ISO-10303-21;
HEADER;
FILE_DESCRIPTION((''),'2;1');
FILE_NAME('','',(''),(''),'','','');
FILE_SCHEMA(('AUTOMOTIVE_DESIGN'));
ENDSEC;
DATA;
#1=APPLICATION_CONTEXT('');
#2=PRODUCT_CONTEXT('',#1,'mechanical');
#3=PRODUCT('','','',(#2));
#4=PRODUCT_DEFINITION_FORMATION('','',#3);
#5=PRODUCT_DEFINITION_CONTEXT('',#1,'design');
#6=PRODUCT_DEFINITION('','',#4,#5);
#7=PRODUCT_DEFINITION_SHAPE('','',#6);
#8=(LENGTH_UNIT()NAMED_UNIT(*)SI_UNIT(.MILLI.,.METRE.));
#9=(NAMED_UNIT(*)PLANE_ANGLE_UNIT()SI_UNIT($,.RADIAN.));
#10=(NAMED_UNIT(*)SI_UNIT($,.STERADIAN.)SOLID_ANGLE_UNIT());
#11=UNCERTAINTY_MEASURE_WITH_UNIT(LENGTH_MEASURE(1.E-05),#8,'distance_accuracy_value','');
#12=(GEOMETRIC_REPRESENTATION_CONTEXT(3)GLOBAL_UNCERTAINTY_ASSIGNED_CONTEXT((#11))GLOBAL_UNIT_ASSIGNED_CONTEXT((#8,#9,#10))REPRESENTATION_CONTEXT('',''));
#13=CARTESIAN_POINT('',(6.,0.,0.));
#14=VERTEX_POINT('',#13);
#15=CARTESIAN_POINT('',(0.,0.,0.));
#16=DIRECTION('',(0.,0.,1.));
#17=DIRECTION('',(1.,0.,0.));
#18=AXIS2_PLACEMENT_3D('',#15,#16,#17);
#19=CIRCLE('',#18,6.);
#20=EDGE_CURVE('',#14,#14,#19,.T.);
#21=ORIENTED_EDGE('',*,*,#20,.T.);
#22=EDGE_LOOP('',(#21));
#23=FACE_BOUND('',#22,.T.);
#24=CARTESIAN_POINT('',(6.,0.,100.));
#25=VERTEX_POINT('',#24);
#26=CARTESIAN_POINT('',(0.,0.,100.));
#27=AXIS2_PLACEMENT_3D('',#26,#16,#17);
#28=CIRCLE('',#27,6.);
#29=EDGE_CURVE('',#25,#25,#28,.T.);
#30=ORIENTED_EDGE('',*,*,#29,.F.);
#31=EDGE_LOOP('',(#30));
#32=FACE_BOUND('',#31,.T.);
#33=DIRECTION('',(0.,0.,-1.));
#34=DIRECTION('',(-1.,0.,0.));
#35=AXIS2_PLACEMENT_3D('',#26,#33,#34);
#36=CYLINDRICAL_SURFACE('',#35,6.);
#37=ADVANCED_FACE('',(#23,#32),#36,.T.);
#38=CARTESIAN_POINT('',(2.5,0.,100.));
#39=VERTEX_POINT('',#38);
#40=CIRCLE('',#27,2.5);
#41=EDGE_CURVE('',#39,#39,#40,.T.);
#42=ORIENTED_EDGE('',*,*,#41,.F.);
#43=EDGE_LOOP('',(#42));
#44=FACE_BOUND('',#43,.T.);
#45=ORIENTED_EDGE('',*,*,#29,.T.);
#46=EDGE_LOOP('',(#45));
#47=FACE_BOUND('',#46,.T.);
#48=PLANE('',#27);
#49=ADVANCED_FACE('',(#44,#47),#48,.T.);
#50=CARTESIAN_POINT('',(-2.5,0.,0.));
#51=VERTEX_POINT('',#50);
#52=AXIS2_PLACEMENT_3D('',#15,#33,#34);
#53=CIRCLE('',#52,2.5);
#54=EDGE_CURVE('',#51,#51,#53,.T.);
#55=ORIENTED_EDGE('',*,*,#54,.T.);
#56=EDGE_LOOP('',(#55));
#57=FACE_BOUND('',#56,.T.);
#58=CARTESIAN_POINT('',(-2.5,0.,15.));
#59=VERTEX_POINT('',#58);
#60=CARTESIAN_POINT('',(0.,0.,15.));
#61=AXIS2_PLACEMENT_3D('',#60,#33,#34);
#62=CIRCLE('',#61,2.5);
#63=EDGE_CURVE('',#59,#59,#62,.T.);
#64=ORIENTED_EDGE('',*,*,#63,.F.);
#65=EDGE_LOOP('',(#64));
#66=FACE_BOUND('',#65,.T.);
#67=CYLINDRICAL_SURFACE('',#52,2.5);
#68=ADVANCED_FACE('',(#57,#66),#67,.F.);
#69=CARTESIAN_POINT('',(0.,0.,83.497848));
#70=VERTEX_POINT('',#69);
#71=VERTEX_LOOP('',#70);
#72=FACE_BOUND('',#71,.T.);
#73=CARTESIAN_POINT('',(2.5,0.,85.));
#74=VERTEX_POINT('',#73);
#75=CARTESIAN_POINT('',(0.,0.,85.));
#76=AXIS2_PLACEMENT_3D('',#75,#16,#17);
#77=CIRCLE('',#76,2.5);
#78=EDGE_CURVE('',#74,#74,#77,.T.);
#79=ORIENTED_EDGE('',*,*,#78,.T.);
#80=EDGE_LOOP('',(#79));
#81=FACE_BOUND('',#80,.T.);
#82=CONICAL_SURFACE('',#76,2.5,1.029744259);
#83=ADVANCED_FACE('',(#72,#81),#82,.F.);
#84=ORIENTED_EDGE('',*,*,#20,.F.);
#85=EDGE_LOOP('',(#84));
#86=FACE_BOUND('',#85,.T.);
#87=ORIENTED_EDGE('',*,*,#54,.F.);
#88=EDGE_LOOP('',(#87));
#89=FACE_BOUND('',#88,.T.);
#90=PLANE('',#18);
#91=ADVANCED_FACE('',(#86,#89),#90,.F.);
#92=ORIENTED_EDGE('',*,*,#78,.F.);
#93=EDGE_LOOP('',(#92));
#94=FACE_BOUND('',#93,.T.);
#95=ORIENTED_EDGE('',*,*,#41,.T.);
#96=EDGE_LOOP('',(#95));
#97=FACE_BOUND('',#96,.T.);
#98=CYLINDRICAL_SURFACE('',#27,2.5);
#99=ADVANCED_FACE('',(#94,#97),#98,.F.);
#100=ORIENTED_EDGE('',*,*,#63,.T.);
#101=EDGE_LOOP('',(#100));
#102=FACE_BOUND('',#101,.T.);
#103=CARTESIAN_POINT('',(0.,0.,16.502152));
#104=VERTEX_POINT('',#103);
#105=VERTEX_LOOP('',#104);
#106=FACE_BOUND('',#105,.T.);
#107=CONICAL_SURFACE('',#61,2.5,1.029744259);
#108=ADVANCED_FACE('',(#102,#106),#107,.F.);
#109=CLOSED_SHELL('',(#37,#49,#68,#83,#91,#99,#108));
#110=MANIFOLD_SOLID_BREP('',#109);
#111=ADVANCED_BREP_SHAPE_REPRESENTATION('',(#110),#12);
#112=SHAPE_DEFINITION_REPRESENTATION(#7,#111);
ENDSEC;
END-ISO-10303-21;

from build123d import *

# Parameters (mm, degrees)
SKETCH_1_R             = 6
EXTRUDE_1_DEPTH        = 100
HOLE_WIZARD_M6_1_D     = 5
HOLE_WIZARD_M6_1_DEPTH = 15
HOLE_WIZARD_M6_1_TIP   = 1.502151548
HOLE_WIZARD_M6_2_D     = 5
HOLE_WIZARD_M6_2_DEPTH = 15
HOLE_WIZARD_M6_2_TIP   = 1.502151548


with BuildPart() as part:
    # 草图1 → 凸台-拉伸1 (new body)
    with BuildSketch(Plane.XY):
        Circle(SKETCH_1_R)
    extrude(amount=EXTRUDE_1_DEPTH)

    # M6 螺纹孔1
    with Locations(Plane(origin=(0, 0, 0), x_dir=(-1, 0, 0), z_dir=(0, 0, -1))):
        with Locations((0, 0)):
            Hole(HOLE_WIZARD_M6_1_D / 2, depth=HOLE_WIZARD_M6_1_DEPTH)
            with Locations((0, 0, -(HOLE_WIZARD_M6_1_DEPTH + HOLE_WIZARD_M6_1_TIP / 2))):  # 118° drill point
                Cone(0, HOLE_WIZARD_M6_1_D / 2, HOLE_WIZARD_M6_1_TIP, mode=Mode.SUBTRACT)

    # M6 螺纹孔2
    with Locations(Plane.XY.offset(100)):
        with Locations((0, 0)):
            Hole(HOLE_WIZARD_M6_2_D / 2, depth=HOLE_WIZARD_M6_2_DEPTH)
            with Locations((0, 0, -(HOLE_WIZARD_M6_2_DEPTH + HOLE_WIZARD_M6_2_TIP / 2))):  # 118° drill point
                Cone(0, HOLE_WIZARD_M6_2_D / 2, HOLE_WIZARD_M6_2_TIP, mode=Mode.SUBTRACT)


solid = part.part
